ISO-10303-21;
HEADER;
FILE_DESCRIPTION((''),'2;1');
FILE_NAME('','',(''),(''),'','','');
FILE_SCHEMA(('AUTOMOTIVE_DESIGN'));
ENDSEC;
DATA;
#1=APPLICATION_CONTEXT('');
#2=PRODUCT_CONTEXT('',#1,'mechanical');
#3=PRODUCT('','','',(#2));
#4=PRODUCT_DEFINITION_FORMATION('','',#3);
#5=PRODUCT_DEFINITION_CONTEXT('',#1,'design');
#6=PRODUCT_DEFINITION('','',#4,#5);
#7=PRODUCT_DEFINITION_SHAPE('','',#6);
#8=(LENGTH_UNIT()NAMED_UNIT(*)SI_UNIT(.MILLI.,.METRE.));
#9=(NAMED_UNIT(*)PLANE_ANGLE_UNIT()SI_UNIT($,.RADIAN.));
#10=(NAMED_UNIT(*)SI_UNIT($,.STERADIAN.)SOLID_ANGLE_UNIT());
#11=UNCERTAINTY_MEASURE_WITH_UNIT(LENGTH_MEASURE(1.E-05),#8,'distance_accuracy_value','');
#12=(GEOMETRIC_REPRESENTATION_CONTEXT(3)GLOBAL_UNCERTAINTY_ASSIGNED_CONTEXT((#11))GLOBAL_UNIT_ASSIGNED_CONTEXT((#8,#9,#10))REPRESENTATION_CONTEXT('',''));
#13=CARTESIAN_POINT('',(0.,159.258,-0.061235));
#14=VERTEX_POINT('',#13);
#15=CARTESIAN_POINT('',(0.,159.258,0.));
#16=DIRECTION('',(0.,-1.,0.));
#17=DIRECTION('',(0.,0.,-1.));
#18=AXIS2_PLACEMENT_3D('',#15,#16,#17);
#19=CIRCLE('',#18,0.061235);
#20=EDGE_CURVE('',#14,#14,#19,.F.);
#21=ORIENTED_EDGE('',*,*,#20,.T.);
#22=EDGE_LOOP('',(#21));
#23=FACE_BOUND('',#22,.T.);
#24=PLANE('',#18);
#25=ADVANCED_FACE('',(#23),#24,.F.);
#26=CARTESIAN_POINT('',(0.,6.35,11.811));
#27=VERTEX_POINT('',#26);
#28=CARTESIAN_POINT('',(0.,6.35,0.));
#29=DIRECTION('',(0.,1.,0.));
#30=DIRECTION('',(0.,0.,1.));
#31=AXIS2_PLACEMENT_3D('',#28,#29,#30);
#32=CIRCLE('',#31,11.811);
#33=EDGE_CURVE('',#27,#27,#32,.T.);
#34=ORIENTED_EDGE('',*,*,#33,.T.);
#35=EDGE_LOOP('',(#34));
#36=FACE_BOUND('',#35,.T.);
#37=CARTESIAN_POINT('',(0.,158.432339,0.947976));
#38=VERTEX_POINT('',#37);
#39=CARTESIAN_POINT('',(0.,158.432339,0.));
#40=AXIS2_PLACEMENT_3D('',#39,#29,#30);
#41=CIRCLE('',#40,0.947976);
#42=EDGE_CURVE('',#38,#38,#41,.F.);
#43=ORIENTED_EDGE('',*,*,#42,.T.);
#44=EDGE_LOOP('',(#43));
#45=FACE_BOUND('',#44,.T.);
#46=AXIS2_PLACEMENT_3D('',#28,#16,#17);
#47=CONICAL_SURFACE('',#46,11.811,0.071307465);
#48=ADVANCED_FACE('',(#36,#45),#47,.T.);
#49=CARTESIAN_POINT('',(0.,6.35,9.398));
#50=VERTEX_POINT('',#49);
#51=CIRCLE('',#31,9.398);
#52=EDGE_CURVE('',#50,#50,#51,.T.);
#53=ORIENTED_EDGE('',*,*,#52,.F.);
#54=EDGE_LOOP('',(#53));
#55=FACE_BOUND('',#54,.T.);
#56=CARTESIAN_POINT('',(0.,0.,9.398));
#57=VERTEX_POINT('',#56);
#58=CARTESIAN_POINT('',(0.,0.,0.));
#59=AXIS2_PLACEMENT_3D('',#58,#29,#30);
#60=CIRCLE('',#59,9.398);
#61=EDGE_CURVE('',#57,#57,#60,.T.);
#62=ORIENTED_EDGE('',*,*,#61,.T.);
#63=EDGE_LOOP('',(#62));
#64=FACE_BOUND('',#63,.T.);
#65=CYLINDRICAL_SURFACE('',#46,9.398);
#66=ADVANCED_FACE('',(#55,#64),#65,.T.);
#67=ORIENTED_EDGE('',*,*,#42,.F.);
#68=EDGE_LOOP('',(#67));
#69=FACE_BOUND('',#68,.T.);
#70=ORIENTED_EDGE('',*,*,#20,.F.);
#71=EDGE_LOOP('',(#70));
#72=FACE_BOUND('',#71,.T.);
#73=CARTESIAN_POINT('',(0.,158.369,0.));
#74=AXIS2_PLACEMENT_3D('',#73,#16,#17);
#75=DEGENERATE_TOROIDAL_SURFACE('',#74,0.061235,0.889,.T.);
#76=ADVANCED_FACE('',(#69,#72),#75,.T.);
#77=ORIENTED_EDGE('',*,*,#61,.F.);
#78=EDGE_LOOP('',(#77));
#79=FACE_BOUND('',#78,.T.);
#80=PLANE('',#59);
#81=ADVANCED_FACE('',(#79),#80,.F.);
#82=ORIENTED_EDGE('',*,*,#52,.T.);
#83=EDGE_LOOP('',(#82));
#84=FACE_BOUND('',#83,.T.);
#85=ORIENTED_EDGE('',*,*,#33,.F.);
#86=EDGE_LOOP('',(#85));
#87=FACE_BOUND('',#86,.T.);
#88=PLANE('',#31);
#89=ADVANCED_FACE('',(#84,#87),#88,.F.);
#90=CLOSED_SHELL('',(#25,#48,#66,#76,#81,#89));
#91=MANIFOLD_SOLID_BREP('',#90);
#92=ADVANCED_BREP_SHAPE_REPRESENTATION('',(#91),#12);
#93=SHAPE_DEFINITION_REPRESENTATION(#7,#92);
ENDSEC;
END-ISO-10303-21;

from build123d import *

# Parameters (mm, degrees)
SKETCH1_R           = 9.398
BOSS_EXTRUDE1_DEPTH = 6.35
FILLET1_R           = 0.889


with BuildPart() as part:
    # Sketch1 → Boss-Extrude1 (new body)
    with BuildSketch(Plane(origin=(0, 0, 0), x_dir=(1, 0, 0), z_dir=(0, 1, 0))):
        Circle(SKETCH1_R)
    extrude(amount=BOSS_EXTRUDE1_DEPTH)

    # Sketch2 → Revolve1 (revolve)
    with BuildSketch(Plane.XY):
        Polygon((11.811, 6.35), (0.889, 159.258), (0, 159.258), (0, 6.35), align=None)
    revolve(axis=Axis((0, 159.258, 0), (0, -1, 0)))

    # Fillet1
    fillet1_edges = [part.edges().sort_by_distance(p)[0] for p in [
        (-0.889, 159.258, 0),
    ]]
    fillet(fillet1_edges, radius=FILLET1_R)


solid = part.part
